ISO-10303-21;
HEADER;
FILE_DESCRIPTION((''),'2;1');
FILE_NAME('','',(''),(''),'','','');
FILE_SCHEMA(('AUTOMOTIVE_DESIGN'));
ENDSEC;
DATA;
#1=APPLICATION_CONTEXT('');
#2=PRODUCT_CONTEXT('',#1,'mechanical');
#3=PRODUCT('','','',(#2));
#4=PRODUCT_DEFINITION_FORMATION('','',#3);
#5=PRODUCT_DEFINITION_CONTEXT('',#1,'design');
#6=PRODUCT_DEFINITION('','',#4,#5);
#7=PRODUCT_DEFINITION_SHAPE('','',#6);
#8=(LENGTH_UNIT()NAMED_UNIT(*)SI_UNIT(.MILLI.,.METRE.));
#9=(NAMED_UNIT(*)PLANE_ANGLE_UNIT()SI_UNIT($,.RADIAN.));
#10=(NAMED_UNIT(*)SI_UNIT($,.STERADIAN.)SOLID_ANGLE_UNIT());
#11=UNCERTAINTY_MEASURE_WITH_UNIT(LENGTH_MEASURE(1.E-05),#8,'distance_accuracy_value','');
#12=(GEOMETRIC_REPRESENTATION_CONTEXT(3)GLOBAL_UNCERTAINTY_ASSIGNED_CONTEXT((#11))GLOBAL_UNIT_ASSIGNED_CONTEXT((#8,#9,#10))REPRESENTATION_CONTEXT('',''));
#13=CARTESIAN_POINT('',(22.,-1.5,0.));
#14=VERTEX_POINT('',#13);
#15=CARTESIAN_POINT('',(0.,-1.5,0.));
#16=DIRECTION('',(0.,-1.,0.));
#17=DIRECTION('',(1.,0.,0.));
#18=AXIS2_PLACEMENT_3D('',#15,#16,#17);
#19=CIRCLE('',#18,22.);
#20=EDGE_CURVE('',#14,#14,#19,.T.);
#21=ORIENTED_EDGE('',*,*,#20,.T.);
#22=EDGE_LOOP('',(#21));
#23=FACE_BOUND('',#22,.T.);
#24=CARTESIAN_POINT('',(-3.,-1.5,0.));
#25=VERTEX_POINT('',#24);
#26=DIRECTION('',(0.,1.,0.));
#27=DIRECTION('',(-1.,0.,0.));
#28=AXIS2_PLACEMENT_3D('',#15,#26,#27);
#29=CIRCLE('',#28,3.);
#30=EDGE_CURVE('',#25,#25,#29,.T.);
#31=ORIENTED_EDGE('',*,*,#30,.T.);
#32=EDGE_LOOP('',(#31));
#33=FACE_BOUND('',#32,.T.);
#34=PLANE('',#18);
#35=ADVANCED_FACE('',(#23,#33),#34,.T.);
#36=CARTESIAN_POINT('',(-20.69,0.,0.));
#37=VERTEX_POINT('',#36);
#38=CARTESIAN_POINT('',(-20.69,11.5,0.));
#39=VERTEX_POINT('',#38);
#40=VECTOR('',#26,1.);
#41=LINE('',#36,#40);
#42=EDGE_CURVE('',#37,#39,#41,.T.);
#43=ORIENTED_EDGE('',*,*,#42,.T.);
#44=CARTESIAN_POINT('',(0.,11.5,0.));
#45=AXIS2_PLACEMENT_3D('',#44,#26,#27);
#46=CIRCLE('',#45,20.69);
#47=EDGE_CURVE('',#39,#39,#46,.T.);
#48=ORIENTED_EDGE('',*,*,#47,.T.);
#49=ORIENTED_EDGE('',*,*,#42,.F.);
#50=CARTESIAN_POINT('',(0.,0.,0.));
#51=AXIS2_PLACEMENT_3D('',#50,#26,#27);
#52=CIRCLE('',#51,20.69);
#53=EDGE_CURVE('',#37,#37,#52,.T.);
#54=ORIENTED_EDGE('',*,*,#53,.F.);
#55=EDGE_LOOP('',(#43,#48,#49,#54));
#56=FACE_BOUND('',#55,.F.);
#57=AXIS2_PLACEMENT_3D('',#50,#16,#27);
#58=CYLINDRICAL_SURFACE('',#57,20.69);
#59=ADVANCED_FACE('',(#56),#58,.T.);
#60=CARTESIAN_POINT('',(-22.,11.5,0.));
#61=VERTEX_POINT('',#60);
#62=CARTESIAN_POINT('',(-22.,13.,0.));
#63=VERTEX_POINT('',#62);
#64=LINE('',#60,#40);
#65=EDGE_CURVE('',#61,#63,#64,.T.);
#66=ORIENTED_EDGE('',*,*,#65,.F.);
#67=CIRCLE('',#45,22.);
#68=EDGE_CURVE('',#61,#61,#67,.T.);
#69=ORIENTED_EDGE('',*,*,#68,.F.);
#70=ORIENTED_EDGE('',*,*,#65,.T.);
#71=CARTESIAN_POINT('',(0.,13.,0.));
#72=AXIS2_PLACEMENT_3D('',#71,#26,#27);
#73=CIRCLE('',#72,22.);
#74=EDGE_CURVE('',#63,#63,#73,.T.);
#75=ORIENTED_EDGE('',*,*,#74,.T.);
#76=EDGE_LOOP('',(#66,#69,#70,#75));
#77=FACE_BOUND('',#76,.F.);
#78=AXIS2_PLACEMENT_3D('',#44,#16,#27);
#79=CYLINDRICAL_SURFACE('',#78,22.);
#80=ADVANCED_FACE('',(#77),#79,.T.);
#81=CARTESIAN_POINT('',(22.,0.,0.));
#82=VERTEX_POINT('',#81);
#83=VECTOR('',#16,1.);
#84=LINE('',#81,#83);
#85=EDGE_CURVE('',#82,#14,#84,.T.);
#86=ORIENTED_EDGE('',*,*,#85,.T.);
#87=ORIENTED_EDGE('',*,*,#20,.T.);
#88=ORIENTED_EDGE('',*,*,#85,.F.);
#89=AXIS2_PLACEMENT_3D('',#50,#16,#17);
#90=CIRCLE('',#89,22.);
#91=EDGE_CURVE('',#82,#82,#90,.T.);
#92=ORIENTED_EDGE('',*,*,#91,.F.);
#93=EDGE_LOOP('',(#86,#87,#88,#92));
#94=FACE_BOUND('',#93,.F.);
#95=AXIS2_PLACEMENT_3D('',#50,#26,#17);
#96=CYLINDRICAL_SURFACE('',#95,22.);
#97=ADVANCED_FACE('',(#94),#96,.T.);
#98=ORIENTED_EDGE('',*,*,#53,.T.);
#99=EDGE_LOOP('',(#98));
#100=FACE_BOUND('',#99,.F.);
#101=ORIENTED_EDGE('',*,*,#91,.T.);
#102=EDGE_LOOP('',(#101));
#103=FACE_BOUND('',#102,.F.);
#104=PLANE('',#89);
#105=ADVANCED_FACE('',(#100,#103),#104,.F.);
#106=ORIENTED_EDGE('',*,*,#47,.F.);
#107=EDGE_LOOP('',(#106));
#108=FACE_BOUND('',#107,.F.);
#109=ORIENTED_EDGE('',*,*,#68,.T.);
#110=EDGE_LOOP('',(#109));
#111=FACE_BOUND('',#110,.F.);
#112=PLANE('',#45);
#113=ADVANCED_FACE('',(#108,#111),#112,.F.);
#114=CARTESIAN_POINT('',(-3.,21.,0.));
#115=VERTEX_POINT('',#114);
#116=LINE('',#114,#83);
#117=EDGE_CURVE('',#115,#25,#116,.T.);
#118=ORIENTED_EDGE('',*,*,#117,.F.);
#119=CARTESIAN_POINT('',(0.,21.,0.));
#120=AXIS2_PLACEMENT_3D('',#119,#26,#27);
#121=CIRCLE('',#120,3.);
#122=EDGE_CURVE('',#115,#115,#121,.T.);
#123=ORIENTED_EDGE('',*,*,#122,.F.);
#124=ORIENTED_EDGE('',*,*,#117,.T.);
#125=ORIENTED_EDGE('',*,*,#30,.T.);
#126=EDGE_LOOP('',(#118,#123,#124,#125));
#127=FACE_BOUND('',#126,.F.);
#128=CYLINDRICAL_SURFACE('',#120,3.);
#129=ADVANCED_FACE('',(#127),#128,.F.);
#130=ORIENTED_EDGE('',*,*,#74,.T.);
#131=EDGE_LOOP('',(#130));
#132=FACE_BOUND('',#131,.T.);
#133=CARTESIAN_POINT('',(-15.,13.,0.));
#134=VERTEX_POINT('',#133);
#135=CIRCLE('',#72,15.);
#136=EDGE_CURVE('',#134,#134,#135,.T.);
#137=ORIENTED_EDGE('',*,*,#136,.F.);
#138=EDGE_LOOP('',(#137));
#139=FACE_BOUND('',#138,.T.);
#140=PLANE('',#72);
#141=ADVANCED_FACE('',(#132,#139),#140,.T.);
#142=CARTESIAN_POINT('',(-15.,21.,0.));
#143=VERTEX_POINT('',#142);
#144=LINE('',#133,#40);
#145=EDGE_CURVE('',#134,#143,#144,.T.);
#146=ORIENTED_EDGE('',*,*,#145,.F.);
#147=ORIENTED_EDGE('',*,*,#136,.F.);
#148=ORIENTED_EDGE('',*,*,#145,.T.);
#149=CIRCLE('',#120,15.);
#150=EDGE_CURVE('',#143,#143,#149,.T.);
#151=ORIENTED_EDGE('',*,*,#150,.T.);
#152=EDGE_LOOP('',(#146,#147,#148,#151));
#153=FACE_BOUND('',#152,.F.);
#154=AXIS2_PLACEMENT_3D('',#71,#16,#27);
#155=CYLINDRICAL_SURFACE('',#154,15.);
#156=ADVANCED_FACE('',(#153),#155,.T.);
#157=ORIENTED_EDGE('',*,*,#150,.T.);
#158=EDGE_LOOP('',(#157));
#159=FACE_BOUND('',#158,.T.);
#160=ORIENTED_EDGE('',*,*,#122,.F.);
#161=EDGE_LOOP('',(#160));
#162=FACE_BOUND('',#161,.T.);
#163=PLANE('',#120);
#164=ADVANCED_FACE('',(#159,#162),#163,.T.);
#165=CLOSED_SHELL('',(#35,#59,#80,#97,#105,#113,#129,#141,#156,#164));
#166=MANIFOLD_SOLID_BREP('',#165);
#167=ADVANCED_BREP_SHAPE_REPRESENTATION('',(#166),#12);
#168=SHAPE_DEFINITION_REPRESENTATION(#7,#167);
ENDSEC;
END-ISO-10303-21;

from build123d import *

# Parameters (mm, degrees)
F0_R     = 22
F1_DEPTH = 1.5
F2_R     = 20.69
F3_DEPTH = 11.5
F4_R     = 22
F5_DEPTH = 1.5
F6_R     = 15
F7_DEPTH = 8
F8_R     = 3
F9_DEPTH = 22.501


with BuildPart() as f1:
    # F0 (on Front) → F1 (new body)
    with BuildSketch(Plane.XZ):
        Circle(F0_R)
    extrude(amount=F1_DEPTH)

    # F2 (on face) → F3 (join)
    with BuildSketch(Plane(origin=(0, 0, 0), x_dir=(-1, 0, 0), z_dir=(0, 1, 0))):
        Circle(F2_R)
    extrude(amount=F3_DEPTH)

    # F4 (on face) → F5 (join)
    with BuildSketch(Plane(origin=(0, 11.5, 0), x_dir=(-1, 0, 0), z_dir=(0, 1, 0))):
        Circle(F4_R)
    extrude(amount=F5_DEPTH)

    # F6 (on face) → F7 (join)
    with BuildSketch(Plane(origin=(0, 13, 0), x_dir=(-1, 0, 0), z_dir=(0, 1, 0))):
        Circle(F6_R)
    extrude(amount=F7_DEPTH)

    # F8 (on face) → F9 (cut, through all)
    with BuildSketch(Plane(origin=(0, 21, 0), x_dir=(-1, 0, 0), z_dir=(0, 1, 0))):
        Circle(F8_R)
    extrude(amount=-F9_DEPTH, mode=Mode.SUBTRACT)


solid = f1.part
